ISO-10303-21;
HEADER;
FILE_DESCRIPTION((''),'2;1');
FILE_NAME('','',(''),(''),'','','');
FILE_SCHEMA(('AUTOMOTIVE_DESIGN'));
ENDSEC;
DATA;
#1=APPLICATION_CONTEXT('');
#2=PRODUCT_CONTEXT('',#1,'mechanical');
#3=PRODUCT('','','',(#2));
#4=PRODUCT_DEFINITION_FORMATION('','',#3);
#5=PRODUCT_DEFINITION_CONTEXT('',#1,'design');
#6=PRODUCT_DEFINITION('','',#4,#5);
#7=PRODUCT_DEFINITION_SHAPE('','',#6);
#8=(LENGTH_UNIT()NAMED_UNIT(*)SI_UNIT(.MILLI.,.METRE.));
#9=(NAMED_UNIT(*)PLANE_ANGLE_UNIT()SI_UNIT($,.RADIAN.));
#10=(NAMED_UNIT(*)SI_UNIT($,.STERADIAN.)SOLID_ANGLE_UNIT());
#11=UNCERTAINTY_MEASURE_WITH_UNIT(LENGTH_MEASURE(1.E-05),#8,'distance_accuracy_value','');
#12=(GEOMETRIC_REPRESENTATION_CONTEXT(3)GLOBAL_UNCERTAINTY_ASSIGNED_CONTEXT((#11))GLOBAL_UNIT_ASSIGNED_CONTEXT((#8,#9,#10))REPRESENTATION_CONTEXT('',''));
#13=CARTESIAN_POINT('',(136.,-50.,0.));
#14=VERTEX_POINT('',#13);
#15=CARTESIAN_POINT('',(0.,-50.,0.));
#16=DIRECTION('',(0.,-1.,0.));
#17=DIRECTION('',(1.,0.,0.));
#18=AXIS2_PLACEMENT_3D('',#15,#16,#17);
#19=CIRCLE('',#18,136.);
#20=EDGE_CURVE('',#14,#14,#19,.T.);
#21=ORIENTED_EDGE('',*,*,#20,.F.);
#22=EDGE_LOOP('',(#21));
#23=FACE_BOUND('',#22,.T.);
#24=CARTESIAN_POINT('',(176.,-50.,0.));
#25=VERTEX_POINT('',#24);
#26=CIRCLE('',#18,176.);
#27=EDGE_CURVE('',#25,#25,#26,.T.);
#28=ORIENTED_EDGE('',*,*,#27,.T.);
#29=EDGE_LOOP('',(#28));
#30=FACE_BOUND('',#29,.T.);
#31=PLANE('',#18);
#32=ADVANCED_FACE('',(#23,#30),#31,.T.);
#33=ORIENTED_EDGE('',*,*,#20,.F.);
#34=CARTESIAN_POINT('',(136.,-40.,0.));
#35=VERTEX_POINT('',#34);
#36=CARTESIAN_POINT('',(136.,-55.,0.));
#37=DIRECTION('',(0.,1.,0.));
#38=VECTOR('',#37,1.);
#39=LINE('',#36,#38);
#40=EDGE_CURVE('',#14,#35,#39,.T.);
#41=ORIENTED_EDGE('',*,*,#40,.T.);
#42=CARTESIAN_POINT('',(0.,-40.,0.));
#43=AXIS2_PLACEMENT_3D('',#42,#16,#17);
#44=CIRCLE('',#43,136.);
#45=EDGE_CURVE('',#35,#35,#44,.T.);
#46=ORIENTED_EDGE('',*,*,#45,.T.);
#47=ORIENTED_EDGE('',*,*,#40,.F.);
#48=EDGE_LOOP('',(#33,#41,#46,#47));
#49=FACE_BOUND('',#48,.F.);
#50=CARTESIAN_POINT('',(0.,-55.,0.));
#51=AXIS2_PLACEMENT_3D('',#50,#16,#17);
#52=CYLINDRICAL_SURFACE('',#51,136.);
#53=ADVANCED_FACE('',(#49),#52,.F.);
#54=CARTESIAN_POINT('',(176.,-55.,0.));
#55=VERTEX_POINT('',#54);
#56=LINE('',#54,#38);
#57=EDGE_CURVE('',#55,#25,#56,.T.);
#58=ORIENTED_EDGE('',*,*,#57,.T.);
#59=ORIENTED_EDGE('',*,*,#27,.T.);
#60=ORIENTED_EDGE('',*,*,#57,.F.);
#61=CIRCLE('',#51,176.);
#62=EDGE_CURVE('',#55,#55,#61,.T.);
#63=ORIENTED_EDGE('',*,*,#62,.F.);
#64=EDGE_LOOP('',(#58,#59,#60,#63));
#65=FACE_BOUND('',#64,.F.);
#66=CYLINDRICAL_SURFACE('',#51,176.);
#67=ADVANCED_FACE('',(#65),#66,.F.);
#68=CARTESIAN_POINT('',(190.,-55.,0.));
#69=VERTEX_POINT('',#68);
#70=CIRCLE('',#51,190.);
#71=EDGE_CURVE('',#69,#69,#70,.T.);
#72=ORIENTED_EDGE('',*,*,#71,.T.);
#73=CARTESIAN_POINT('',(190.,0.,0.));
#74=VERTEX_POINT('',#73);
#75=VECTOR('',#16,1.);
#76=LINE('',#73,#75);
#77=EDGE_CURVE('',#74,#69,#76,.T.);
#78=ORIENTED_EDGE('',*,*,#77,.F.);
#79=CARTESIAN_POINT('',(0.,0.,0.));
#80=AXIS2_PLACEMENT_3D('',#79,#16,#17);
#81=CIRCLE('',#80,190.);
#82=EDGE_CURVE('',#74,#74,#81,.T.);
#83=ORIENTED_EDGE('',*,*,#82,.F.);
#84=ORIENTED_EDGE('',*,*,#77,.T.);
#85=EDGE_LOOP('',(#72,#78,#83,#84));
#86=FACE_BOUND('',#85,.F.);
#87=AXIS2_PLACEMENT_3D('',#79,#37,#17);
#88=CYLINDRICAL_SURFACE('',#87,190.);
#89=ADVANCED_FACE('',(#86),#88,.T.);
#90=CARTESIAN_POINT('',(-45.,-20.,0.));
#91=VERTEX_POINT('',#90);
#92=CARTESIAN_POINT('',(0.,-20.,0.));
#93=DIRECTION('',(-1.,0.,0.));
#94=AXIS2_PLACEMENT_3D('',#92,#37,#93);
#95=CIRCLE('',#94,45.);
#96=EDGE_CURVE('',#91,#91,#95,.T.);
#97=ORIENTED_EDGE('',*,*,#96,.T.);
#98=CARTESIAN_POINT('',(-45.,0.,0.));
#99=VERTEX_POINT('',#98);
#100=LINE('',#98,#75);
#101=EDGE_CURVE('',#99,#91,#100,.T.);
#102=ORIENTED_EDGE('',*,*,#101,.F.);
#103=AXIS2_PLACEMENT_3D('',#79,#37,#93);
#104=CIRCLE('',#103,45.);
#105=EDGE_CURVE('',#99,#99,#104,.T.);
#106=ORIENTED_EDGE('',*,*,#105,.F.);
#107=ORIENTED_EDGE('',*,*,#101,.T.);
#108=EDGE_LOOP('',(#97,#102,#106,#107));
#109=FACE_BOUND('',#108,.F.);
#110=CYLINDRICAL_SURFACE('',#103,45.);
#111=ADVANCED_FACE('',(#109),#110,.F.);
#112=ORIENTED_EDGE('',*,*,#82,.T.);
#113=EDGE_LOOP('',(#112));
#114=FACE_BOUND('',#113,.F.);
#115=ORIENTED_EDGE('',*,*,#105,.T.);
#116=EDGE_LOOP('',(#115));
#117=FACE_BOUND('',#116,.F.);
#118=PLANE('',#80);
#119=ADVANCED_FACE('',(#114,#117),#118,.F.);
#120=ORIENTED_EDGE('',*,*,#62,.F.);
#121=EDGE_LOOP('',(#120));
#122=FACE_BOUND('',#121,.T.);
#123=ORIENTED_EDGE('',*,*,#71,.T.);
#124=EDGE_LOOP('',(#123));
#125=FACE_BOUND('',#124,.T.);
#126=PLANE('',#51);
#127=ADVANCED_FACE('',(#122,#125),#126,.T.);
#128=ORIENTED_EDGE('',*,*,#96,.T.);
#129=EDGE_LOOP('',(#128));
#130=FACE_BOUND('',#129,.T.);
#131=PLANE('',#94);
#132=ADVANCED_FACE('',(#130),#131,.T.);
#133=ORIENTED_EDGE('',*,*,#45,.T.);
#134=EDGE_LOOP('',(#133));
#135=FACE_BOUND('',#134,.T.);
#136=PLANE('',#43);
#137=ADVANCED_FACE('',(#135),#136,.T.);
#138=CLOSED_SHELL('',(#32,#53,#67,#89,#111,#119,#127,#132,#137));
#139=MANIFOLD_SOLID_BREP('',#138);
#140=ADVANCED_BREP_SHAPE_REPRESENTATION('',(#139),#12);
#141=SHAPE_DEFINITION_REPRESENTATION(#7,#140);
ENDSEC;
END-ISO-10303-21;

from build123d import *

# Parameters (mm, degrees)
F0_R      = 190
F1_DEPTH  = 55
F2_R      = 45
F3_DEPTH  = 20
F4_R      = 176
F4_R_2    = 136
F5_DEPTH  = 5
F5_FACE_R = 136
F6_DEPTH  = 15


with BuildPart() as f1:
    # F0 (on Front) → F1 (new body)
    with BuildSketch(Plane.XZ):
        Circle(F0_R)
    extrude(amount=F1_DEPTH)

    # F2 (on face) → F3 (cut)
    with BuildSketch(Plane(origin=(0, 0, 0), x_dir=(-1, 0, 0), z_dir=(0, 1, 0))):
        Circle(F2_R)
    extrude(amount=-F3_DEPTH, mode=Mode.SUBTRACT)

    # F4 (on face) → F5 (cut)
    with BuildSketch(Plane.XZ.offset(55)):
        Circle(F4_R)
        Circle(F4_R_2, mode=Mode.SUBTRACT)
    extrude(amount=-F5_DEPTH, mode=Mode.SUBTRACT)

    # F5_face (on face) → F6 (cut)
    with BuildSketch(Plane.XZ.offset(55)):
        Circle(F5_FACE_R)
    extrude(amount=-F6_DEPTH, mode=Mode.SUBTRACT)


solid = f1.part
